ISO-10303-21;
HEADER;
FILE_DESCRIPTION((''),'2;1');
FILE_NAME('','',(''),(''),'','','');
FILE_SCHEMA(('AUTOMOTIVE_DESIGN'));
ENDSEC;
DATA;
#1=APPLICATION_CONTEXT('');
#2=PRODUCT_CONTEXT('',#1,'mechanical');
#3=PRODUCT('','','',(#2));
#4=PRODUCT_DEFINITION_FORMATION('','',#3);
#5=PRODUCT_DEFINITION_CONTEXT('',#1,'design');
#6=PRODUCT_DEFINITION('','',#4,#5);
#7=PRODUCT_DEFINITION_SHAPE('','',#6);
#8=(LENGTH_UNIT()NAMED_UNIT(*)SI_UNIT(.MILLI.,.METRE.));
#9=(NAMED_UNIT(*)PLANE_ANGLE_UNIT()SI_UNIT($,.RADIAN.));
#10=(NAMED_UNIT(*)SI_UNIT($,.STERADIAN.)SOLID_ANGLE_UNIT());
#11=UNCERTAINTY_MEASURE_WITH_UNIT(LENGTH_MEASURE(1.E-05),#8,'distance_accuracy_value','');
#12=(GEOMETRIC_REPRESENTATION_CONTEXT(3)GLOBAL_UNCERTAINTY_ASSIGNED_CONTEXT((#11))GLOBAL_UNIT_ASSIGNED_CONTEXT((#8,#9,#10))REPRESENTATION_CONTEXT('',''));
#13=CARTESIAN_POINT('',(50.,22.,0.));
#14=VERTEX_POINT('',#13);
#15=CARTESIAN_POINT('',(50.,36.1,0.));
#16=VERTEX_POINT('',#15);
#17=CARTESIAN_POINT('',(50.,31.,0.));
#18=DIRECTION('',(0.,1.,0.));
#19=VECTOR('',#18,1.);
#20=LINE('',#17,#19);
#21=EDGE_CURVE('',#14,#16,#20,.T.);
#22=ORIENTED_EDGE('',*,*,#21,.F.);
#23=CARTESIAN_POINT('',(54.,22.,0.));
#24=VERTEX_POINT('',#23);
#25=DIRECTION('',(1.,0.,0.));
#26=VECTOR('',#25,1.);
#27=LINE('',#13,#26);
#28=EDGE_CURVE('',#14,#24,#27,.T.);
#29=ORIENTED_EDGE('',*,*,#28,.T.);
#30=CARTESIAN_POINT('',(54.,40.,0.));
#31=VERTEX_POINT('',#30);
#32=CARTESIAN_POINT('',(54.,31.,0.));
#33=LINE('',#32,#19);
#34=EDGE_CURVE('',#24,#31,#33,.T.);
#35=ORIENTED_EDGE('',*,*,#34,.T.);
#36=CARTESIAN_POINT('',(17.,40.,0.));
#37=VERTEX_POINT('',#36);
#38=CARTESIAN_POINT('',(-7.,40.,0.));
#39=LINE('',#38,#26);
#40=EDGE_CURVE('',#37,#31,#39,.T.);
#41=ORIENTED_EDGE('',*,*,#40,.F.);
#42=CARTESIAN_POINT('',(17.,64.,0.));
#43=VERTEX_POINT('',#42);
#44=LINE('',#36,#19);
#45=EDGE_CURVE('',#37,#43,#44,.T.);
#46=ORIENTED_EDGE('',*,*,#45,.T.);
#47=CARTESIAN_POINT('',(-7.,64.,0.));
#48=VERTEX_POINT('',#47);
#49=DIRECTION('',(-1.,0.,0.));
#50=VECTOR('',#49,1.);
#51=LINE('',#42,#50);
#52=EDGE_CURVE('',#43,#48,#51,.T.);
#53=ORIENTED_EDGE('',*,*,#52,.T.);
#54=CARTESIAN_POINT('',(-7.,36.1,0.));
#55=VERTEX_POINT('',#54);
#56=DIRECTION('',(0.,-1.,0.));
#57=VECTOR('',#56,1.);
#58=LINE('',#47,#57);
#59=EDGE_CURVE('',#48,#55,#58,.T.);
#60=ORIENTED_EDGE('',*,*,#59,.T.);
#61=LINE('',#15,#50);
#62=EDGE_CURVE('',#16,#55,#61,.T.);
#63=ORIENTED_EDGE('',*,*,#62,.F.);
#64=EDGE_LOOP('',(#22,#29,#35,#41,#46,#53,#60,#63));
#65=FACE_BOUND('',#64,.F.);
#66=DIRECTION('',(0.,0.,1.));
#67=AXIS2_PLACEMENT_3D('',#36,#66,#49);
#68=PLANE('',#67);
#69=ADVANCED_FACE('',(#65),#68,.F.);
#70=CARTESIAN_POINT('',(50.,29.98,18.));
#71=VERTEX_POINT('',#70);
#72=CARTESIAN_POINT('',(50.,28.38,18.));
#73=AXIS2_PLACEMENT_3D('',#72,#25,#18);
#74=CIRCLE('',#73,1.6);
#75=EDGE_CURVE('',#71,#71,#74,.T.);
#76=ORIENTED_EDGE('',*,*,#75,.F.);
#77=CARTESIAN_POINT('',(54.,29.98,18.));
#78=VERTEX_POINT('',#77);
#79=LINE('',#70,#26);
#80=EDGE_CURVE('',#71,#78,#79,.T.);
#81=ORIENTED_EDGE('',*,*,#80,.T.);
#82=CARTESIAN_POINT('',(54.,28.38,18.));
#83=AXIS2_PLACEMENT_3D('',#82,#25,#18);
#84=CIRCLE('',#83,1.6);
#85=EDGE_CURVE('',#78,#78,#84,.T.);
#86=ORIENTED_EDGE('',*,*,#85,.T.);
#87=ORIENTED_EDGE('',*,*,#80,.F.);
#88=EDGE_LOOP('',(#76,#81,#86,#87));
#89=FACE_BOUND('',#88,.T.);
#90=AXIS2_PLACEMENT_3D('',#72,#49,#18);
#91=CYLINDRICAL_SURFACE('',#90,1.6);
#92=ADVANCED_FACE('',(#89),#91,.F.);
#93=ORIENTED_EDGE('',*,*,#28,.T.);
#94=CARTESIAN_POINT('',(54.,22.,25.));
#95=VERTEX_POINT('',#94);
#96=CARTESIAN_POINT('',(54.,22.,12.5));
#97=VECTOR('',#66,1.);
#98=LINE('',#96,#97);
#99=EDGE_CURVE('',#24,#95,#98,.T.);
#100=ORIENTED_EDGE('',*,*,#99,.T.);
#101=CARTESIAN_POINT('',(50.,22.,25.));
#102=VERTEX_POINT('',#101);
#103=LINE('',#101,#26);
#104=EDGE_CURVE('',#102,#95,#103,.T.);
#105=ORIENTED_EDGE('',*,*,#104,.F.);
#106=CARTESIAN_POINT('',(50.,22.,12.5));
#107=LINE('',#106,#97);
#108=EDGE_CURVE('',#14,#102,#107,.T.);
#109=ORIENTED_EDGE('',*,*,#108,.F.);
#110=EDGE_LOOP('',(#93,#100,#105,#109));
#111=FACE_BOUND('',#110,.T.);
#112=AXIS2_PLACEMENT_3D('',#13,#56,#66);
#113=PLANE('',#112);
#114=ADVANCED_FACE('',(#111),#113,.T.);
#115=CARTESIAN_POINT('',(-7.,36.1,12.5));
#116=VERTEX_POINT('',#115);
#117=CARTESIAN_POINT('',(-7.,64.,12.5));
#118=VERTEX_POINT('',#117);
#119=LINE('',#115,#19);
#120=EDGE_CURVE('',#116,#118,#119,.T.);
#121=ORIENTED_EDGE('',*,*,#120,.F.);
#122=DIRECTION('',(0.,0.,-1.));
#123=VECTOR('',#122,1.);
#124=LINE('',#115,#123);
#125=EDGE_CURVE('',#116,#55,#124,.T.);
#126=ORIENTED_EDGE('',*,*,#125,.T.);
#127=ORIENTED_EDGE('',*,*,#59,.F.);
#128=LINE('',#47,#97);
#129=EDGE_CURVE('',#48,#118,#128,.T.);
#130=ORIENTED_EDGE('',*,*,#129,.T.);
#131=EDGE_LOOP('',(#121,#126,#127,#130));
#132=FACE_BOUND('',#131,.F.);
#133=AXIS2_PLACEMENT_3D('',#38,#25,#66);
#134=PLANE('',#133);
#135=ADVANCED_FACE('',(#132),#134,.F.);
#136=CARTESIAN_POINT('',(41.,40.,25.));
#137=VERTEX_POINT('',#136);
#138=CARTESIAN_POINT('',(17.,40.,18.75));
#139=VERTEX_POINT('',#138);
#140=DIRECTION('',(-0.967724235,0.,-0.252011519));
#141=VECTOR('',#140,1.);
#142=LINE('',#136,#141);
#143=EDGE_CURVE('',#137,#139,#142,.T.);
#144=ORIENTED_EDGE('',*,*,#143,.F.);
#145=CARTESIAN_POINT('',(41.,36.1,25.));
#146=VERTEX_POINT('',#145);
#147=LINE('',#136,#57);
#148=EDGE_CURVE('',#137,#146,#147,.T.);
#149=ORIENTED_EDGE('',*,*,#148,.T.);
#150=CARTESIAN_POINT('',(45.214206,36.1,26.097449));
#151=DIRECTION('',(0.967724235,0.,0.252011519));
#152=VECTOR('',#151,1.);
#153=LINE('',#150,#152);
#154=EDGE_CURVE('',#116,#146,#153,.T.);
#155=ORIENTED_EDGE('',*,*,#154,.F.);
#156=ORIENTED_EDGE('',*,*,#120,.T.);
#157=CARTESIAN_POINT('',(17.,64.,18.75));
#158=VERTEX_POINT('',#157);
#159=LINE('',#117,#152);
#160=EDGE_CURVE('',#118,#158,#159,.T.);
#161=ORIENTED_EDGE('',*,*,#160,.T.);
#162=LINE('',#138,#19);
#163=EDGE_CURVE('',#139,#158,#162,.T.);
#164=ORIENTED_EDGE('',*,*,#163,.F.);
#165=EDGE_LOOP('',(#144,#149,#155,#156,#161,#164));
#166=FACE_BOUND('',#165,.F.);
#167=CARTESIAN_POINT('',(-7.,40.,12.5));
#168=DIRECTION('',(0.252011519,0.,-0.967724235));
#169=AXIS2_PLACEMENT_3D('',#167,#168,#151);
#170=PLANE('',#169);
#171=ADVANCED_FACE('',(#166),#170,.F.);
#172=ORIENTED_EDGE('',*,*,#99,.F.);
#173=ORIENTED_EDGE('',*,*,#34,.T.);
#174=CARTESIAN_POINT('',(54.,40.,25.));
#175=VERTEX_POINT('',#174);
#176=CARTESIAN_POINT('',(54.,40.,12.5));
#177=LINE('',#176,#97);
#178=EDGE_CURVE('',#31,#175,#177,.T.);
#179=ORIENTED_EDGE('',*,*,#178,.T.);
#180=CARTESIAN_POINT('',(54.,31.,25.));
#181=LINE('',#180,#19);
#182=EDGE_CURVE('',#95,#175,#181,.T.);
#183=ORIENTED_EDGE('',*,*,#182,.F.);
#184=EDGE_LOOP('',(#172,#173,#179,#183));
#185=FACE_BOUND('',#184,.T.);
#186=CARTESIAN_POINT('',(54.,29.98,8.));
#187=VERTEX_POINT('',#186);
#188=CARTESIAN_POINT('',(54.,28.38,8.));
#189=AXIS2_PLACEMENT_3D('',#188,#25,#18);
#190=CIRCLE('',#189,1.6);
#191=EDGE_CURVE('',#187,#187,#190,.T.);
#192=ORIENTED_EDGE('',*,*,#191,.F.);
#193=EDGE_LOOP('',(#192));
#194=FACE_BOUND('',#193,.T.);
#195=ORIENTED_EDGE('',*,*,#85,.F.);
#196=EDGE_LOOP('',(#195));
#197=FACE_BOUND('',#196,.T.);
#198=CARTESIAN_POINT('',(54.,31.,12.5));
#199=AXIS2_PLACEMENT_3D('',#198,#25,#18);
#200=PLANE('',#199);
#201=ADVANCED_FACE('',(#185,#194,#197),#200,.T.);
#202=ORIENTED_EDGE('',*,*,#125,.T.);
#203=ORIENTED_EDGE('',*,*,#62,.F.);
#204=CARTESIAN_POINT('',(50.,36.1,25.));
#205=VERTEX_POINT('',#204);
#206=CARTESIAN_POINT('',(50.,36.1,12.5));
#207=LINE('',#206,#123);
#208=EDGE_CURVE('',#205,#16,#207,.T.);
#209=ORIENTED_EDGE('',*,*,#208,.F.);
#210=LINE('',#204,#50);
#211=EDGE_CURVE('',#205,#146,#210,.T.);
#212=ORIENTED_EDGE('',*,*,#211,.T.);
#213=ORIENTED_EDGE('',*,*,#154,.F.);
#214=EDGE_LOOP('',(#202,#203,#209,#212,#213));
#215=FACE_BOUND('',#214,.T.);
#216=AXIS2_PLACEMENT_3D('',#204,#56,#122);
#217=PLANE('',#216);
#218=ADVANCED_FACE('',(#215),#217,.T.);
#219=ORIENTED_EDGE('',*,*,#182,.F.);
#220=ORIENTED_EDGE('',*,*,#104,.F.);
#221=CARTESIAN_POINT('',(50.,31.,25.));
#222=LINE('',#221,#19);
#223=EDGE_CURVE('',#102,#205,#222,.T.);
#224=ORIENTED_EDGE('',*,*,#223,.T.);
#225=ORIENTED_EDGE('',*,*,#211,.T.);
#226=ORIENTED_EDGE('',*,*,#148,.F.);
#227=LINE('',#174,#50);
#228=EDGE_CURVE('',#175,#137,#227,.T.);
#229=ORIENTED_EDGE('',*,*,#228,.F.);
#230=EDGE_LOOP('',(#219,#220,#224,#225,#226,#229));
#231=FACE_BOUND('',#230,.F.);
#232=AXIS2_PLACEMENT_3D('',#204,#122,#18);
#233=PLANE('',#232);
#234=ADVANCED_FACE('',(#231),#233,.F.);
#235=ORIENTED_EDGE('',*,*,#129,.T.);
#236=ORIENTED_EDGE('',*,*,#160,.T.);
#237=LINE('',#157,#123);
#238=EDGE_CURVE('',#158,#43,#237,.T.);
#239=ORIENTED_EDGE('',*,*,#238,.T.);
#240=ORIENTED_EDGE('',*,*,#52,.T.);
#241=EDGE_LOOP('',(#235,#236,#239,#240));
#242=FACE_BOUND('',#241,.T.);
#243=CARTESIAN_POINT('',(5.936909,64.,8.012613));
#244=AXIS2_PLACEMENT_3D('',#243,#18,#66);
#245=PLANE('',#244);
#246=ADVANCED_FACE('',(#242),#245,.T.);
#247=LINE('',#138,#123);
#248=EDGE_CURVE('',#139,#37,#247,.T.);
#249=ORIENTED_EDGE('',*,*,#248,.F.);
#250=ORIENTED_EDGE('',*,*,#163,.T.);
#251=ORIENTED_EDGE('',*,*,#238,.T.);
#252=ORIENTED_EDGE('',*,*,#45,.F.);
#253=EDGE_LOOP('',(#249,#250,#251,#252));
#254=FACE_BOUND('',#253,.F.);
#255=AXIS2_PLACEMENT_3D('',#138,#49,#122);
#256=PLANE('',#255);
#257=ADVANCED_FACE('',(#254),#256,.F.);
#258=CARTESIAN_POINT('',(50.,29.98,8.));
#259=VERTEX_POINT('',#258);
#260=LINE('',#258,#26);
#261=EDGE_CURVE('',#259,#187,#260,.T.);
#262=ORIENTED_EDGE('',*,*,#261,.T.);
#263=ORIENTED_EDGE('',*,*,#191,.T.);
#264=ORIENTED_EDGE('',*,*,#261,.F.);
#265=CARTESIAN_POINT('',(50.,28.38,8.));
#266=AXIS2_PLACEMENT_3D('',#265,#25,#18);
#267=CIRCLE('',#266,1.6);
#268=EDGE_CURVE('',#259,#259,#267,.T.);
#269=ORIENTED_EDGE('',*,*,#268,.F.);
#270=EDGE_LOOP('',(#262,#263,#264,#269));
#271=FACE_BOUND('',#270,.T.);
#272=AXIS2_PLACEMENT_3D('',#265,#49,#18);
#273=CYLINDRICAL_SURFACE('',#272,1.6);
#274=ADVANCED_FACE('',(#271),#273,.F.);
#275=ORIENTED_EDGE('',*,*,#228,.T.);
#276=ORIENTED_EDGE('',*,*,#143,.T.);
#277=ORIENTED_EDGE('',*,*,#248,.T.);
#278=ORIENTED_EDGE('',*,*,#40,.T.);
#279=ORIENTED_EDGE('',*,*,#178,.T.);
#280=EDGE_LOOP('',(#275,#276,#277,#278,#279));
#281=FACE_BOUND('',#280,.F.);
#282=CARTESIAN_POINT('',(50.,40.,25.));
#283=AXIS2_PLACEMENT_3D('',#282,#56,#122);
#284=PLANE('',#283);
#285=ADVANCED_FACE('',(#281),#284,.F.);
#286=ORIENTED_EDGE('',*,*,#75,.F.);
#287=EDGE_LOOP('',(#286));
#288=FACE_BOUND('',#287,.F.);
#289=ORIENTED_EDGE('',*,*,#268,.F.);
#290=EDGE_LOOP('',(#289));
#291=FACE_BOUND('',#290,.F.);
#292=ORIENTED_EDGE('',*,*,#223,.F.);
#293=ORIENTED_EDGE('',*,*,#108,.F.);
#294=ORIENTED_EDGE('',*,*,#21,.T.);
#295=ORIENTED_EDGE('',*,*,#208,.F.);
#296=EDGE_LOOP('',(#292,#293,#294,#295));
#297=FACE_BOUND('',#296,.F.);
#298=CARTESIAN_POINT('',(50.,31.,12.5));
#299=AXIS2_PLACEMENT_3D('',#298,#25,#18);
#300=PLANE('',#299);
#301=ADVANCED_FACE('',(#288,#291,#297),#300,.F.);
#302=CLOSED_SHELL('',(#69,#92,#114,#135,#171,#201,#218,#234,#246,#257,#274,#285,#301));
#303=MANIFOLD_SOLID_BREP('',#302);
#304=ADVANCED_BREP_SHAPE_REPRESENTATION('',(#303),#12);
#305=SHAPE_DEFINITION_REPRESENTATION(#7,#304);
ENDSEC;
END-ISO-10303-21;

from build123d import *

# Parameters (mm, degrees)
SKETCH017_W     = 18
SKETCH017_H     = 25
SKETCH017_R     = 1.6
PAD012_DEPTH    = 4
SKETCH018_W     = 3.9
SKETCH018_H     = 25
PAD013_DEPTH    = 57
POCKET009_DEPTH = 5
PAD014_DEPTH    = 24


with BuildPart() as part:
    # Sketch017 → Pad012 (new body)
    with BuildSketch(Plane.YZ):
        with Locations((31, 12.5)):
            Rectangle(SKETCH017_W, SKETCH017_H)
        with Locations((28.38, 8)):
            Circle(SKETCH017_R, mode=Mode.SUBTRACT)
        with Locations((28.38, 18)):
            Circle(SKETCH017_R, mode=Mode.SUBTRACT)
    extrude(amount=PAD012_DEPTH)

    # Sketch018 (on Face7 of Pad012) → Pad013 (join)
    with BuildSketch(Plane(origin=(0, 0, 0), x_dir=(0, 1, 0), z_dir=(-1, 0, 0))):
        with Locations((38.05, -12.5)):
            Rectangle(SKETCH018_W, SKETCH018_H)
    extrude(amount=PAD013_DEPTH)

    # Sketch019 (on Face10 of Pad013) → Pocket009 (cut)
    with BuildSketch(Plane.ZX.offset(40)):
        Polygon((25, -9), (12.5, -57), (25, -57), align=None)
    extrude(amount=-POCKET009_DEPTH, mode=Mode.SUBTRACT)

    # Sketch020 (on Face6 of Pocket009) → Pad014 (join)
    with BuildSketch(Plane.ZX.offset(40)):
        Polygon((0, -57), (12.5, -57), (18.75, -33), (0, -33), align=None)
    extrude(amount=PAD014_DEPTH)


with BuildPart() as part_1:
    # Body002 placement: moved
    add(part.part.moved(Location((50, 0, 0))))


solid = part_1.part
